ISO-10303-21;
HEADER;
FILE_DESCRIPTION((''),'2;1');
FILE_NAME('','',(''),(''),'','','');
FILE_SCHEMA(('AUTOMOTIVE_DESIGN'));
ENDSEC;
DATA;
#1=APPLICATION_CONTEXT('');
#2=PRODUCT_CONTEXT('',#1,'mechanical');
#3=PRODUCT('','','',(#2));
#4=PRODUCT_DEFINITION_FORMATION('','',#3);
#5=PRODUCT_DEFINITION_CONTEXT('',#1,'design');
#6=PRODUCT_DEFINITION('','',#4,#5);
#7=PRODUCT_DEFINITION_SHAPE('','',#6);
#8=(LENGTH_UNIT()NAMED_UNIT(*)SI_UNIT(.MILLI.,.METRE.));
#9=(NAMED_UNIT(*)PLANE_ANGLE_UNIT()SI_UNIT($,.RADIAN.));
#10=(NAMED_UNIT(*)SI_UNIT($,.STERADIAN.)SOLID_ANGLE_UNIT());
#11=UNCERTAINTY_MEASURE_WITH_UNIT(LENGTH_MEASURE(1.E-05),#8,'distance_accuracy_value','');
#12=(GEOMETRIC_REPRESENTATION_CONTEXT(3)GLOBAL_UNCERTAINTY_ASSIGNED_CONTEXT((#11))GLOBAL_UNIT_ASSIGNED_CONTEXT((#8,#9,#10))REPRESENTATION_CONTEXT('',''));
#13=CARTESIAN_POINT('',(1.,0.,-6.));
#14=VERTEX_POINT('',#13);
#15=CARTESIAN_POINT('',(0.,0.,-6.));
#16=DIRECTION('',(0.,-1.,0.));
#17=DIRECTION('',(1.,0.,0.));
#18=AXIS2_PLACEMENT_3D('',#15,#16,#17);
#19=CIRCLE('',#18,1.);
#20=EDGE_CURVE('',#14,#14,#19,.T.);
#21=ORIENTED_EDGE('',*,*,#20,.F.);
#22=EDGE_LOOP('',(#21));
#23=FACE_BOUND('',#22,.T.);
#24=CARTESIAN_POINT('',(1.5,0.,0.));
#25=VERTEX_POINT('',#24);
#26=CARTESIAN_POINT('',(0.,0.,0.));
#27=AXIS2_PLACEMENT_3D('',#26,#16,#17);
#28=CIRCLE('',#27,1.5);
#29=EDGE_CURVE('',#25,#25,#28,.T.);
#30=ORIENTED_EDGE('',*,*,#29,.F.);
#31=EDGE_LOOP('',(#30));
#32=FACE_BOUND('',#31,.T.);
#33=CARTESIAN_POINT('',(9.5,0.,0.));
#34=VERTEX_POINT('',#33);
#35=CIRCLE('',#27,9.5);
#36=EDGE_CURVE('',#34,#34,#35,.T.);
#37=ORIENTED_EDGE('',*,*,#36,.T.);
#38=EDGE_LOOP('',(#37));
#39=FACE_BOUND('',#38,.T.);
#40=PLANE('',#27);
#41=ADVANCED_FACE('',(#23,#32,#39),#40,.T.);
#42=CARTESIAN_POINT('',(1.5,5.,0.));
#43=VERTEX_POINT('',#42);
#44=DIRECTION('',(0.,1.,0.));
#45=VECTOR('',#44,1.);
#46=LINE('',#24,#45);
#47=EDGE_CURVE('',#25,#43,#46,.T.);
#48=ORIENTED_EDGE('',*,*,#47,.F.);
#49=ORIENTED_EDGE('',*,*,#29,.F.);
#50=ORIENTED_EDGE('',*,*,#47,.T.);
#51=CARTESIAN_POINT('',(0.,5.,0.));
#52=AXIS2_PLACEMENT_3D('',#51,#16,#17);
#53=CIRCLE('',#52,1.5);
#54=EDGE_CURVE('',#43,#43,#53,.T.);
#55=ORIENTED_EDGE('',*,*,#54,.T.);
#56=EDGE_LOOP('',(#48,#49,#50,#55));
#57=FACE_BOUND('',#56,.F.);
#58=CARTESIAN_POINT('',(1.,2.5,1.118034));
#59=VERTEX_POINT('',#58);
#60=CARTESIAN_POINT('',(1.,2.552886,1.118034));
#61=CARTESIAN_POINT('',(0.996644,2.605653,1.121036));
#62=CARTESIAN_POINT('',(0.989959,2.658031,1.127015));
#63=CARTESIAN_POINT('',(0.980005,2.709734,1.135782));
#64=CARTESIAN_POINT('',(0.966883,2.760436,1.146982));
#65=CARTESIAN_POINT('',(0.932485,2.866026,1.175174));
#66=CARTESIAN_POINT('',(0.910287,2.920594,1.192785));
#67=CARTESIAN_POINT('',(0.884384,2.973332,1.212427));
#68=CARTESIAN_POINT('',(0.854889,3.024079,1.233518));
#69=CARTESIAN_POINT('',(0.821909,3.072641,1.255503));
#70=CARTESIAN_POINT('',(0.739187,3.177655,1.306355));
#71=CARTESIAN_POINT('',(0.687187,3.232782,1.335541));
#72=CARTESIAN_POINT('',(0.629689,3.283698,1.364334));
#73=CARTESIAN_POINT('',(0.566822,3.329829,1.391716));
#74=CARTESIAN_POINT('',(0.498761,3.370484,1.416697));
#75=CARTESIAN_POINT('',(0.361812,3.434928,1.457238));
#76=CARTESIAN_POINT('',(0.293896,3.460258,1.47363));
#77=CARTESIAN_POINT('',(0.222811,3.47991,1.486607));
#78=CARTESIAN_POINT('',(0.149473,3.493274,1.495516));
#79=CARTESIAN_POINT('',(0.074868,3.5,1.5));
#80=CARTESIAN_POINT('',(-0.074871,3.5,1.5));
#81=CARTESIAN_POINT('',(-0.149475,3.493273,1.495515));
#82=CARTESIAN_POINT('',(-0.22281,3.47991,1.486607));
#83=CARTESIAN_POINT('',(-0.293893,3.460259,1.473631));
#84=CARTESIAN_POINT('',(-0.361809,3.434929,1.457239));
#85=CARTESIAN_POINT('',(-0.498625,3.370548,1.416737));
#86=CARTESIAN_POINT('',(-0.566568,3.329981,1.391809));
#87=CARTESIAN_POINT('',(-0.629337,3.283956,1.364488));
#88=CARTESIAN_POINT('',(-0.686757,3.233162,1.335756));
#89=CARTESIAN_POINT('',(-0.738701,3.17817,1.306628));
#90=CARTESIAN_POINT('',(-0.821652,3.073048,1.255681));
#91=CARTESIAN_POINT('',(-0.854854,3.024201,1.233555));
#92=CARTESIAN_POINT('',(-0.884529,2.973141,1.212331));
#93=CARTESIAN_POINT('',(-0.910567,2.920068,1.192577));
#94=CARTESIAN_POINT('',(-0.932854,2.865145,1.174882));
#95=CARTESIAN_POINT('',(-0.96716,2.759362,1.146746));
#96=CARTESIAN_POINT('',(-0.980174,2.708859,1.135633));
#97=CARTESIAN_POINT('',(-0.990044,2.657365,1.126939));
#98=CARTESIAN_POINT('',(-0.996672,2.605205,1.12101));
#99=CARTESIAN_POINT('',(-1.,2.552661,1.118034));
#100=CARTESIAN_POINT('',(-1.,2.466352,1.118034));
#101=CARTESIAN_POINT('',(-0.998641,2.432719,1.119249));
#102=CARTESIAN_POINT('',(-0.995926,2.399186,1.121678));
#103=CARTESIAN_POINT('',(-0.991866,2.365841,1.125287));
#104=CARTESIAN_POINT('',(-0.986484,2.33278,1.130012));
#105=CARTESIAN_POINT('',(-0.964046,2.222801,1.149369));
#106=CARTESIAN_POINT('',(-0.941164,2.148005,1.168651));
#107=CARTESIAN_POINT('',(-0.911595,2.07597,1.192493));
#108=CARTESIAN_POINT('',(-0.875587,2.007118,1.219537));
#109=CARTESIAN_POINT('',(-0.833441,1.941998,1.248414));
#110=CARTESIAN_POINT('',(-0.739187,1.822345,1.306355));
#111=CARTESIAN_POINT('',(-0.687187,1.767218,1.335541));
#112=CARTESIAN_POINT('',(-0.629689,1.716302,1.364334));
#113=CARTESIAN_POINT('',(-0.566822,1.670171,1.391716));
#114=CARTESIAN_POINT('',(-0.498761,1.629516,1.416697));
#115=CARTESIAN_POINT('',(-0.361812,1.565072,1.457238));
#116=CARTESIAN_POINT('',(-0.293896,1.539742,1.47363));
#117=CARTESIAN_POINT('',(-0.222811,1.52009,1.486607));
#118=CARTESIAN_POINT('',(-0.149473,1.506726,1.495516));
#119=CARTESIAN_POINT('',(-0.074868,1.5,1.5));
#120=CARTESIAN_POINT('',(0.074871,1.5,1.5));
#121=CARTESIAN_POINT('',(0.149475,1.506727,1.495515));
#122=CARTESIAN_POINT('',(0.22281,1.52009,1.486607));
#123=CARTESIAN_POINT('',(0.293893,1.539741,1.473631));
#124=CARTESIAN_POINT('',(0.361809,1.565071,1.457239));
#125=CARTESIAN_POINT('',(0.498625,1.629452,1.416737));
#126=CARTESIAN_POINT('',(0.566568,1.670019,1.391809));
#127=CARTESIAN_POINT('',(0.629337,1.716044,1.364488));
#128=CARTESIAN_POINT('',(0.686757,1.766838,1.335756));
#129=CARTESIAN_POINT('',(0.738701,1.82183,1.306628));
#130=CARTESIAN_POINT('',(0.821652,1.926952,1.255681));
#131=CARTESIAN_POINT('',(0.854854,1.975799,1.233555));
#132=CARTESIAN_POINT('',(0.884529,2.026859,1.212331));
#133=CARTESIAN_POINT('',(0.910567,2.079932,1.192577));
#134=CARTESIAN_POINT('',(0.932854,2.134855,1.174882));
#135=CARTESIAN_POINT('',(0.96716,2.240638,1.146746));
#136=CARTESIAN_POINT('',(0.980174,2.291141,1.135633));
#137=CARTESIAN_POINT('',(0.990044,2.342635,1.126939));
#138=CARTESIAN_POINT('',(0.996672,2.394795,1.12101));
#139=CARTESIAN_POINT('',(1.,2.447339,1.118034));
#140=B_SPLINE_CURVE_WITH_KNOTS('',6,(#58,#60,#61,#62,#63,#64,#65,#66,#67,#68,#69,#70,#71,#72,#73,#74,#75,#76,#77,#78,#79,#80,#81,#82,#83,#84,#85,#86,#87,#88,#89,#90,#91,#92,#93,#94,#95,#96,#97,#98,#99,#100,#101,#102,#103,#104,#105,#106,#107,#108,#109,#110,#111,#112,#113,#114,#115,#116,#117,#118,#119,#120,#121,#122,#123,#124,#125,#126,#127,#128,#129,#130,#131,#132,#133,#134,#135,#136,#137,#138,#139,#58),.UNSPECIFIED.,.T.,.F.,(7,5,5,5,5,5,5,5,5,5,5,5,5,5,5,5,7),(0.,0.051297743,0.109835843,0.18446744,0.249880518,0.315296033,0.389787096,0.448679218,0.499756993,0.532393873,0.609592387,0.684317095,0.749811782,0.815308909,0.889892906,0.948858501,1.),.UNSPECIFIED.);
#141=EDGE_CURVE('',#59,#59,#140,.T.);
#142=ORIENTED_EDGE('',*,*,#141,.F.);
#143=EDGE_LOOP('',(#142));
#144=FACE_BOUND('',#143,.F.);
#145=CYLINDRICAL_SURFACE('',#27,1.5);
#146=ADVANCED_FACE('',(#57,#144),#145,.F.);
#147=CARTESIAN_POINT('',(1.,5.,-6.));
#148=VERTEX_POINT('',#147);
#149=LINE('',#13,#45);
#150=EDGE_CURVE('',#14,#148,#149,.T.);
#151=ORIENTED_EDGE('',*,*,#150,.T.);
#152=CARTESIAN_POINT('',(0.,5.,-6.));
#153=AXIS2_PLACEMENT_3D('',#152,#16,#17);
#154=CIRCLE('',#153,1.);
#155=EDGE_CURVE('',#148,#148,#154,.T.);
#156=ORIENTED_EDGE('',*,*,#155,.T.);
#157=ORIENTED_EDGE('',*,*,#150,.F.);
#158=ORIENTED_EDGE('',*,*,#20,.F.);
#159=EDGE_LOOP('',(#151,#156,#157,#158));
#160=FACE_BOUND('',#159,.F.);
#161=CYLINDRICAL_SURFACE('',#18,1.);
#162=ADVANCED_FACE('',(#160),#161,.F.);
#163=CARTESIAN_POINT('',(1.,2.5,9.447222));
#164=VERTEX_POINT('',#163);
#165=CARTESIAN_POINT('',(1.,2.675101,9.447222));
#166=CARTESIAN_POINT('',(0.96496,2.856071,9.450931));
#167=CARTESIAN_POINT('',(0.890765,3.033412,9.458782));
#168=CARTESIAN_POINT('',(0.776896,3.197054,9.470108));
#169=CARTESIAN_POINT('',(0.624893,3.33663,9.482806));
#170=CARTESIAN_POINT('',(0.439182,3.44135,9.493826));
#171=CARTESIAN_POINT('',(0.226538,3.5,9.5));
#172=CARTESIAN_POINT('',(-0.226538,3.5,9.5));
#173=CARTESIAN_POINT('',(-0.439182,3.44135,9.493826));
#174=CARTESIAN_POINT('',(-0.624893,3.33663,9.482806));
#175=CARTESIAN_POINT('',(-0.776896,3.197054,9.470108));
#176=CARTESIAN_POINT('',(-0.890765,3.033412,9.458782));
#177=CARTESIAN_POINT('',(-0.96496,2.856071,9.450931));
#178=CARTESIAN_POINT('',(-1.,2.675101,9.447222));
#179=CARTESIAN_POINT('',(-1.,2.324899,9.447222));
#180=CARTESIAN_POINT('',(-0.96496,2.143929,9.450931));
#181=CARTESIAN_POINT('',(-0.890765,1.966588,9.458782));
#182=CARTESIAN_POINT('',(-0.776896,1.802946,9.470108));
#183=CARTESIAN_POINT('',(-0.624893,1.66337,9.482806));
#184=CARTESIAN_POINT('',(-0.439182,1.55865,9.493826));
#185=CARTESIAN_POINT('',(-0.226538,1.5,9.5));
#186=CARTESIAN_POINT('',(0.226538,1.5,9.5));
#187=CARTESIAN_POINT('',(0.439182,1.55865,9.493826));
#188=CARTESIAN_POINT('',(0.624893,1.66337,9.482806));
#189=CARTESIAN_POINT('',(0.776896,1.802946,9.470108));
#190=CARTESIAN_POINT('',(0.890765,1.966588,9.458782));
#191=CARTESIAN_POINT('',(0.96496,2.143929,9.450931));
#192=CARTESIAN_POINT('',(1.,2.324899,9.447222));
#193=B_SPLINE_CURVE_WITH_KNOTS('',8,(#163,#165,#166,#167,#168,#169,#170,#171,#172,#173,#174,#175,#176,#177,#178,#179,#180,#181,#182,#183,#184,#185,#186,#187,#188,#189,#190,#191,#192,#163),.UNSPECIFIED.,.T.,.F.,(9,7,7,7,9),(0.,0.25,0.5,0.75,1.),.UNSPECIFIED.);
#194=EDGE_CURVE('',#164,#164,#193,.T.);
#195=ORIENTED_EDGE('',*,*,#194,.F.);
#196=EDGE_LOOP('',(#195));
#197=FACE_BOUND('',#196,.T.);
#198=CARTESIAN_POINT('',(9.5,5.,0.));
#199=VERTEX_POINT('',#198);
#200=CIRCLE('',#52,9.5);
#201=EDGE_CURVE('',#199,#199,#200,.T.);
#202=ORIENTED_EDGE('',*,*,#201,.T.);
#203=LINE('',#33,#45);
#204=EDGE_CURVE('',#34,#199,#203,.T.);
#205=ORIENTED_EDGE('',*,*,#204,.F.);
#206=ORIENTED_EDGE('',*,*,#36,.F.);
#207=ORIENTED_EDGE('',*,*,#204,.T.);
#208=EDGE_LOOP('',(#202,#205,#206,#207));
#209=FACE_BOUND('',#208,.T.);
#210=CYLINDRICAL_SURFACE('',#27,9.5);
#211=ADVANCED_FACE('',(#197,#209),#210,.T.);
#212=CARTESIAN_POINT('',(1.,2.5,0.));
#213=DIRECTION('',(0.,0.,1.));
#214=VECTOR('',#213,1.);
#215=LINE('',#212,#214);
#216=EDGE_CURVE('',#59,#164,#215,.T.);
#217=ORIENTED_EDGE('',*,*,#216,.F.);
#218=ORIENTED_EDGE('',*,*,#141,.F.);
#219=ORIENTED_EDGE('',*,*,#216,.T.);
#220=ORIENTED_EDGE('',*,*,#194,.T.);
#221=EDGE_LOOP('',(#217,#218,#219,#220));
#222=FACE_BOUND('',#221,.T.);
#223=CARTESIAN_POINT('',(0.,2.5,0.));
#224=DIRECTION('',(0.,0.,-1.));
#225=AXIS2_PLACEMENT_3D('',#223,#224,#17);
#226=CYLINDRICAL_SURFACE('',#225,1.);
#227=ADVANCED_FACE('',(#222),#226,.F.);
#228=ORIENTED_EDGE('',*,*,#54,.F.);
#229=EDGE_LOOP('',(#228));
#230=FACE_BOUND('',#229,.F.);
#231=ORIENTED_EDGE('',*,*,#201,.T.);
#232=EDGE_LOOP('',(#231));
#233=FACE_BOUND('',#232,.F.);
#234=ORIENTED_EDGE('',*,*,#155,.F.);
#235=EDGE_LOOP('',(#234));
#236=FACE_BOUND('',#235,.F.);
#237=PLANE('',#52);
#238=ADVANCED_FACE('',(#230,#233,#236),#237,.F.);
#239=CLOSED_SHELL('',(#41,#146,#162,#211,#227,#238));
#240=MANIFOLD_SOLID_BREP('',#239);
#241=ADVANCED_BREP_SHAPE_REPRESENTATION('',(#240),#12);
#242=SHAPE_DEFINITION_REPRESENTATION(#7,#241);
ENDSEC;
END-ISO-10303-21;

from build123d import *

# Parameters (mm, degrees)
F0_R     = 9.5
F1_DEPTH = 5
F2_R     = 1.5
F2_R_2   = 1
F3_DEPTH = 5.001
F4_R     = 1
F5_DEPTH = 25


with BuildPart() as f1:
    # F0 (on Front) → F1 (new body)
    with BuildSketch(Plane.XZ):
        Circle(F0_R)
    extrude(amount=-F1_DEPTH)

    # F2 (on face) → F3 (cut, through all)
    with BuildSketch(Plane.XZ):
        Circle(F2_R)
        with Locations((0, -6)):
            Circle(F2_R_2)
    extrude(amount=-F3_DEPTH, mode=Mode.SUBTRACT)

    # F4 (on Top) → F5 (cut)
    with BuildSketch(Plane.XY):
        with Locations((0, 2.5)):
            Circle(F4_R)
    extrude(amount=F5_DEPTH, mode=Mode.SUBTRACT)


solid = f1.part
